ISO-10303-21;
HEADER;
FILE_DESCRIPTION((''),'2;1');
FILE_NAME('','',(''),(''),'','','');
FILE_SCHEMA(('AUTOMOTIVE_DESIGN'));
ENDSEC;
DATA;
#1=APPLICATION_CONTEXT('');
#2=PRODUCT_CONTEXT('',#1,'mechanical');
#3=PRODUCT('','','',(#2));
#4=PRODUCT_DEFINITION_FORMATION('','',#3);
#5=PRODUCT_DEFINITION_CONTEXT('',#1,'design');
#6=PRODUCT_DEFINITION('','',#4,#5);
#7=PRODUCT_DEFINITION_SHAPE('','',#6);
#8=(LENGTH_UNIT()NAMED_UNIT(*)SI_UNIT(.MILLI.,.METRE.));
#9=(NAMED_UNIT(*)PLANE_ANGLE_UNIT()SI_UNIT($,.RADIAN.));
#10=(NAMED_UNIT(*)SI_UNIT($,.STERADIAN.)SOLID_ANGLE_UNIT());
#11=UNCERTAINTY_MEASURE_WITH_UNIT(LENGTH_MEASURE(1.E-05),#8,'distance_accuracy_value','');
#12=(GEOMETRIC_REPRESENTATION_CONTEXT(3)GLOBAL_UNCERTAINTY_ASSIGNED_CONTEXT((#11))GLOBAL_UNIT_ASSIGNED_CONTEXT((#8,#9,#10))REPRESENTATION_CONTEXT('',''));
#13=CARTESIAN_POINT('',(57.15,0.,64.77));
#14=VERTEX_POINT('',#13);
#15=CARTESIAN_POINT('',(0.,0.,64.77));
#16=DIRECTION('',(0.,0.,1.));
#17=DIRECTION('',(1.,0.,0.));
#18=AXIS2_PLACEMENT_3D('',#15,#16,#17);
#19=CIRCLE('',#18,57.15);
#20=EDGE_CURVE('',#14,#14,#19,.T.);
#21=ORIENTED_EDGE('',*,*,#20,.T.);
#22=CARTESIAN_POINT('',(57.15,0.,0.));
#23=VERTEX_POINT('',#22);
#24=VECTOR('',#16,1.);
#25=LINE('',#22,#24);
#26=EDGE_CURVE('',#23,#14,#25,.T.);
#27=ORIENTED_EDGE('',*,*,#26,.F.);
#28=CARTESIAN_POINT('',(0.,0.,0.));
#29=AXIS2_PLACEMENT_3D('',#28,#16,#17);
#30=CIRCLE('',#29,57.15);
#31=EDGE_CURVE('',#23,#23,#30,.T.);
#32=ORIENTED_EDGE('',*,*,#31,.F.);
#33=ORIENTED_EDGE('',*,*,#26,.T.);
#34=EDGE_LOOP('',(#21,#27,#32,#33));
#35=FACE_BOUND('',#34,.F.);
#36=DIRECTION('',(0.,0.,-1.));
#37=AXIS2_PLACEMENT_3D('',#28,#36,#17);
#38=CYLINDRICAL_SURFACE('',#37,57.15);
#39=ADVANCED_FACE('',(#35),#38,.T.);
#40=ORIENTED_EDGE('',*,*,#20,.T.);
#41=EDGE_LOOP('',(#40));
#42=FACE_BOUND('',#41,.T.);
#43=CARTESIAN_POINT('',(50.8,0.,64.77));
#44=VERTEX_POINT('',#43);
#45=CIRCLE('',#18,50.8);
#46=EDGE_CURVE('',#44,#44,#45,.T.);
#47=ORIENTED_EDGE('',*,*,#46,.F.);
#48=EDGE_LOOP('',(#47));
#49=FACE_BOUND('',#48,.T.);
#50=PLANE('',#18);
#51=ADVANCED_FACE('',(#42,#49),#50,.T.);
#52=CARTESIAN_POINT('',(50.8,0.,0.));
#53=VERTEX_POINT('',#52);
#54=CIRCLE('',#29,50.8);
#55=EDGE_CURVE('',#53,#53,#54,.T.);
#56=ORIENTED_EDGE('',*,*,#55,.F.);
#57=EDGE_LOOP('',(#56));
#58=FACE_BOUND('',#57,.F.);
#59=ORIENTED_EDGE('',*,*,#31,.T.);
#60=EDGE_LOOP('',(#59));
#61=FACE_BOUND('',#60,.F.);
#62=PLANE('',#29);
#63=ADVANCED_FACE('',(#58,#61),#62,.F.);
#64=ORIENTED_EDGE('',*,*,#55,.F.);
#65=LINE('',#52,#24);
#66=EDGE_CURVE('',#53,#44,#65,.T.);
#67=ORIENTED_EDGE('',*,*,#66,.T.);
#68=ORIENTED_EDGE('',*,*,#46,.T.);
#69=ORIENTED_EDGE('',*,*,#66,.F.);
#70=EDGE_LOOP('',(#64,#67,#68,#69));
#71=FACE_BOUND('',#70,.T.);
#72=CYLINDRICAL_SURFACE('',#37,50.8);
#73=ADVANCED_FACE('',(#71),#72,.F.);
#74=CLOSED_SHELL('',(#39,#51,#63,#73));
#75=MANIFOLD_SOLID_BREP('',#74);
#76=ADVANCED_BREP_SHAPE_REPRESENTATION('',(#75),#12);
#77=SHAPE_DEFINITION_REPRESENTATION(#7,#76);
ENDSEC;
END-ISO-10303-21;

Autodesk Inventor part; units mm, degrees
ref_plane "YZ Plane" through (0, 0, 0) normal (1, 0, 0) x (0, 1, 0)
ref_plane "XZ Plane" through (0, 0, 0) normal (0, 1, 0) x (-1, 0, 0)
ref_plane "XY Plane" through (0, 0, 0) normal (0, 0, 1) x (1, 0, 0)
sketch "Sketch1" plane through (0, 0, 0) normal (0, 0, 1) x (1, 0, 0)
  circle A0 centre (0, 0) radius 57.15
  circle A1 centre (0, 0) radius 50.8
  dimension "d1" = 6.35
  dimension "d4" = 101.6
extrude "Extrusion1" add sketch "Sketch1" along normal blind 64.77
properties part number "wheel ring" material "Rubber"
